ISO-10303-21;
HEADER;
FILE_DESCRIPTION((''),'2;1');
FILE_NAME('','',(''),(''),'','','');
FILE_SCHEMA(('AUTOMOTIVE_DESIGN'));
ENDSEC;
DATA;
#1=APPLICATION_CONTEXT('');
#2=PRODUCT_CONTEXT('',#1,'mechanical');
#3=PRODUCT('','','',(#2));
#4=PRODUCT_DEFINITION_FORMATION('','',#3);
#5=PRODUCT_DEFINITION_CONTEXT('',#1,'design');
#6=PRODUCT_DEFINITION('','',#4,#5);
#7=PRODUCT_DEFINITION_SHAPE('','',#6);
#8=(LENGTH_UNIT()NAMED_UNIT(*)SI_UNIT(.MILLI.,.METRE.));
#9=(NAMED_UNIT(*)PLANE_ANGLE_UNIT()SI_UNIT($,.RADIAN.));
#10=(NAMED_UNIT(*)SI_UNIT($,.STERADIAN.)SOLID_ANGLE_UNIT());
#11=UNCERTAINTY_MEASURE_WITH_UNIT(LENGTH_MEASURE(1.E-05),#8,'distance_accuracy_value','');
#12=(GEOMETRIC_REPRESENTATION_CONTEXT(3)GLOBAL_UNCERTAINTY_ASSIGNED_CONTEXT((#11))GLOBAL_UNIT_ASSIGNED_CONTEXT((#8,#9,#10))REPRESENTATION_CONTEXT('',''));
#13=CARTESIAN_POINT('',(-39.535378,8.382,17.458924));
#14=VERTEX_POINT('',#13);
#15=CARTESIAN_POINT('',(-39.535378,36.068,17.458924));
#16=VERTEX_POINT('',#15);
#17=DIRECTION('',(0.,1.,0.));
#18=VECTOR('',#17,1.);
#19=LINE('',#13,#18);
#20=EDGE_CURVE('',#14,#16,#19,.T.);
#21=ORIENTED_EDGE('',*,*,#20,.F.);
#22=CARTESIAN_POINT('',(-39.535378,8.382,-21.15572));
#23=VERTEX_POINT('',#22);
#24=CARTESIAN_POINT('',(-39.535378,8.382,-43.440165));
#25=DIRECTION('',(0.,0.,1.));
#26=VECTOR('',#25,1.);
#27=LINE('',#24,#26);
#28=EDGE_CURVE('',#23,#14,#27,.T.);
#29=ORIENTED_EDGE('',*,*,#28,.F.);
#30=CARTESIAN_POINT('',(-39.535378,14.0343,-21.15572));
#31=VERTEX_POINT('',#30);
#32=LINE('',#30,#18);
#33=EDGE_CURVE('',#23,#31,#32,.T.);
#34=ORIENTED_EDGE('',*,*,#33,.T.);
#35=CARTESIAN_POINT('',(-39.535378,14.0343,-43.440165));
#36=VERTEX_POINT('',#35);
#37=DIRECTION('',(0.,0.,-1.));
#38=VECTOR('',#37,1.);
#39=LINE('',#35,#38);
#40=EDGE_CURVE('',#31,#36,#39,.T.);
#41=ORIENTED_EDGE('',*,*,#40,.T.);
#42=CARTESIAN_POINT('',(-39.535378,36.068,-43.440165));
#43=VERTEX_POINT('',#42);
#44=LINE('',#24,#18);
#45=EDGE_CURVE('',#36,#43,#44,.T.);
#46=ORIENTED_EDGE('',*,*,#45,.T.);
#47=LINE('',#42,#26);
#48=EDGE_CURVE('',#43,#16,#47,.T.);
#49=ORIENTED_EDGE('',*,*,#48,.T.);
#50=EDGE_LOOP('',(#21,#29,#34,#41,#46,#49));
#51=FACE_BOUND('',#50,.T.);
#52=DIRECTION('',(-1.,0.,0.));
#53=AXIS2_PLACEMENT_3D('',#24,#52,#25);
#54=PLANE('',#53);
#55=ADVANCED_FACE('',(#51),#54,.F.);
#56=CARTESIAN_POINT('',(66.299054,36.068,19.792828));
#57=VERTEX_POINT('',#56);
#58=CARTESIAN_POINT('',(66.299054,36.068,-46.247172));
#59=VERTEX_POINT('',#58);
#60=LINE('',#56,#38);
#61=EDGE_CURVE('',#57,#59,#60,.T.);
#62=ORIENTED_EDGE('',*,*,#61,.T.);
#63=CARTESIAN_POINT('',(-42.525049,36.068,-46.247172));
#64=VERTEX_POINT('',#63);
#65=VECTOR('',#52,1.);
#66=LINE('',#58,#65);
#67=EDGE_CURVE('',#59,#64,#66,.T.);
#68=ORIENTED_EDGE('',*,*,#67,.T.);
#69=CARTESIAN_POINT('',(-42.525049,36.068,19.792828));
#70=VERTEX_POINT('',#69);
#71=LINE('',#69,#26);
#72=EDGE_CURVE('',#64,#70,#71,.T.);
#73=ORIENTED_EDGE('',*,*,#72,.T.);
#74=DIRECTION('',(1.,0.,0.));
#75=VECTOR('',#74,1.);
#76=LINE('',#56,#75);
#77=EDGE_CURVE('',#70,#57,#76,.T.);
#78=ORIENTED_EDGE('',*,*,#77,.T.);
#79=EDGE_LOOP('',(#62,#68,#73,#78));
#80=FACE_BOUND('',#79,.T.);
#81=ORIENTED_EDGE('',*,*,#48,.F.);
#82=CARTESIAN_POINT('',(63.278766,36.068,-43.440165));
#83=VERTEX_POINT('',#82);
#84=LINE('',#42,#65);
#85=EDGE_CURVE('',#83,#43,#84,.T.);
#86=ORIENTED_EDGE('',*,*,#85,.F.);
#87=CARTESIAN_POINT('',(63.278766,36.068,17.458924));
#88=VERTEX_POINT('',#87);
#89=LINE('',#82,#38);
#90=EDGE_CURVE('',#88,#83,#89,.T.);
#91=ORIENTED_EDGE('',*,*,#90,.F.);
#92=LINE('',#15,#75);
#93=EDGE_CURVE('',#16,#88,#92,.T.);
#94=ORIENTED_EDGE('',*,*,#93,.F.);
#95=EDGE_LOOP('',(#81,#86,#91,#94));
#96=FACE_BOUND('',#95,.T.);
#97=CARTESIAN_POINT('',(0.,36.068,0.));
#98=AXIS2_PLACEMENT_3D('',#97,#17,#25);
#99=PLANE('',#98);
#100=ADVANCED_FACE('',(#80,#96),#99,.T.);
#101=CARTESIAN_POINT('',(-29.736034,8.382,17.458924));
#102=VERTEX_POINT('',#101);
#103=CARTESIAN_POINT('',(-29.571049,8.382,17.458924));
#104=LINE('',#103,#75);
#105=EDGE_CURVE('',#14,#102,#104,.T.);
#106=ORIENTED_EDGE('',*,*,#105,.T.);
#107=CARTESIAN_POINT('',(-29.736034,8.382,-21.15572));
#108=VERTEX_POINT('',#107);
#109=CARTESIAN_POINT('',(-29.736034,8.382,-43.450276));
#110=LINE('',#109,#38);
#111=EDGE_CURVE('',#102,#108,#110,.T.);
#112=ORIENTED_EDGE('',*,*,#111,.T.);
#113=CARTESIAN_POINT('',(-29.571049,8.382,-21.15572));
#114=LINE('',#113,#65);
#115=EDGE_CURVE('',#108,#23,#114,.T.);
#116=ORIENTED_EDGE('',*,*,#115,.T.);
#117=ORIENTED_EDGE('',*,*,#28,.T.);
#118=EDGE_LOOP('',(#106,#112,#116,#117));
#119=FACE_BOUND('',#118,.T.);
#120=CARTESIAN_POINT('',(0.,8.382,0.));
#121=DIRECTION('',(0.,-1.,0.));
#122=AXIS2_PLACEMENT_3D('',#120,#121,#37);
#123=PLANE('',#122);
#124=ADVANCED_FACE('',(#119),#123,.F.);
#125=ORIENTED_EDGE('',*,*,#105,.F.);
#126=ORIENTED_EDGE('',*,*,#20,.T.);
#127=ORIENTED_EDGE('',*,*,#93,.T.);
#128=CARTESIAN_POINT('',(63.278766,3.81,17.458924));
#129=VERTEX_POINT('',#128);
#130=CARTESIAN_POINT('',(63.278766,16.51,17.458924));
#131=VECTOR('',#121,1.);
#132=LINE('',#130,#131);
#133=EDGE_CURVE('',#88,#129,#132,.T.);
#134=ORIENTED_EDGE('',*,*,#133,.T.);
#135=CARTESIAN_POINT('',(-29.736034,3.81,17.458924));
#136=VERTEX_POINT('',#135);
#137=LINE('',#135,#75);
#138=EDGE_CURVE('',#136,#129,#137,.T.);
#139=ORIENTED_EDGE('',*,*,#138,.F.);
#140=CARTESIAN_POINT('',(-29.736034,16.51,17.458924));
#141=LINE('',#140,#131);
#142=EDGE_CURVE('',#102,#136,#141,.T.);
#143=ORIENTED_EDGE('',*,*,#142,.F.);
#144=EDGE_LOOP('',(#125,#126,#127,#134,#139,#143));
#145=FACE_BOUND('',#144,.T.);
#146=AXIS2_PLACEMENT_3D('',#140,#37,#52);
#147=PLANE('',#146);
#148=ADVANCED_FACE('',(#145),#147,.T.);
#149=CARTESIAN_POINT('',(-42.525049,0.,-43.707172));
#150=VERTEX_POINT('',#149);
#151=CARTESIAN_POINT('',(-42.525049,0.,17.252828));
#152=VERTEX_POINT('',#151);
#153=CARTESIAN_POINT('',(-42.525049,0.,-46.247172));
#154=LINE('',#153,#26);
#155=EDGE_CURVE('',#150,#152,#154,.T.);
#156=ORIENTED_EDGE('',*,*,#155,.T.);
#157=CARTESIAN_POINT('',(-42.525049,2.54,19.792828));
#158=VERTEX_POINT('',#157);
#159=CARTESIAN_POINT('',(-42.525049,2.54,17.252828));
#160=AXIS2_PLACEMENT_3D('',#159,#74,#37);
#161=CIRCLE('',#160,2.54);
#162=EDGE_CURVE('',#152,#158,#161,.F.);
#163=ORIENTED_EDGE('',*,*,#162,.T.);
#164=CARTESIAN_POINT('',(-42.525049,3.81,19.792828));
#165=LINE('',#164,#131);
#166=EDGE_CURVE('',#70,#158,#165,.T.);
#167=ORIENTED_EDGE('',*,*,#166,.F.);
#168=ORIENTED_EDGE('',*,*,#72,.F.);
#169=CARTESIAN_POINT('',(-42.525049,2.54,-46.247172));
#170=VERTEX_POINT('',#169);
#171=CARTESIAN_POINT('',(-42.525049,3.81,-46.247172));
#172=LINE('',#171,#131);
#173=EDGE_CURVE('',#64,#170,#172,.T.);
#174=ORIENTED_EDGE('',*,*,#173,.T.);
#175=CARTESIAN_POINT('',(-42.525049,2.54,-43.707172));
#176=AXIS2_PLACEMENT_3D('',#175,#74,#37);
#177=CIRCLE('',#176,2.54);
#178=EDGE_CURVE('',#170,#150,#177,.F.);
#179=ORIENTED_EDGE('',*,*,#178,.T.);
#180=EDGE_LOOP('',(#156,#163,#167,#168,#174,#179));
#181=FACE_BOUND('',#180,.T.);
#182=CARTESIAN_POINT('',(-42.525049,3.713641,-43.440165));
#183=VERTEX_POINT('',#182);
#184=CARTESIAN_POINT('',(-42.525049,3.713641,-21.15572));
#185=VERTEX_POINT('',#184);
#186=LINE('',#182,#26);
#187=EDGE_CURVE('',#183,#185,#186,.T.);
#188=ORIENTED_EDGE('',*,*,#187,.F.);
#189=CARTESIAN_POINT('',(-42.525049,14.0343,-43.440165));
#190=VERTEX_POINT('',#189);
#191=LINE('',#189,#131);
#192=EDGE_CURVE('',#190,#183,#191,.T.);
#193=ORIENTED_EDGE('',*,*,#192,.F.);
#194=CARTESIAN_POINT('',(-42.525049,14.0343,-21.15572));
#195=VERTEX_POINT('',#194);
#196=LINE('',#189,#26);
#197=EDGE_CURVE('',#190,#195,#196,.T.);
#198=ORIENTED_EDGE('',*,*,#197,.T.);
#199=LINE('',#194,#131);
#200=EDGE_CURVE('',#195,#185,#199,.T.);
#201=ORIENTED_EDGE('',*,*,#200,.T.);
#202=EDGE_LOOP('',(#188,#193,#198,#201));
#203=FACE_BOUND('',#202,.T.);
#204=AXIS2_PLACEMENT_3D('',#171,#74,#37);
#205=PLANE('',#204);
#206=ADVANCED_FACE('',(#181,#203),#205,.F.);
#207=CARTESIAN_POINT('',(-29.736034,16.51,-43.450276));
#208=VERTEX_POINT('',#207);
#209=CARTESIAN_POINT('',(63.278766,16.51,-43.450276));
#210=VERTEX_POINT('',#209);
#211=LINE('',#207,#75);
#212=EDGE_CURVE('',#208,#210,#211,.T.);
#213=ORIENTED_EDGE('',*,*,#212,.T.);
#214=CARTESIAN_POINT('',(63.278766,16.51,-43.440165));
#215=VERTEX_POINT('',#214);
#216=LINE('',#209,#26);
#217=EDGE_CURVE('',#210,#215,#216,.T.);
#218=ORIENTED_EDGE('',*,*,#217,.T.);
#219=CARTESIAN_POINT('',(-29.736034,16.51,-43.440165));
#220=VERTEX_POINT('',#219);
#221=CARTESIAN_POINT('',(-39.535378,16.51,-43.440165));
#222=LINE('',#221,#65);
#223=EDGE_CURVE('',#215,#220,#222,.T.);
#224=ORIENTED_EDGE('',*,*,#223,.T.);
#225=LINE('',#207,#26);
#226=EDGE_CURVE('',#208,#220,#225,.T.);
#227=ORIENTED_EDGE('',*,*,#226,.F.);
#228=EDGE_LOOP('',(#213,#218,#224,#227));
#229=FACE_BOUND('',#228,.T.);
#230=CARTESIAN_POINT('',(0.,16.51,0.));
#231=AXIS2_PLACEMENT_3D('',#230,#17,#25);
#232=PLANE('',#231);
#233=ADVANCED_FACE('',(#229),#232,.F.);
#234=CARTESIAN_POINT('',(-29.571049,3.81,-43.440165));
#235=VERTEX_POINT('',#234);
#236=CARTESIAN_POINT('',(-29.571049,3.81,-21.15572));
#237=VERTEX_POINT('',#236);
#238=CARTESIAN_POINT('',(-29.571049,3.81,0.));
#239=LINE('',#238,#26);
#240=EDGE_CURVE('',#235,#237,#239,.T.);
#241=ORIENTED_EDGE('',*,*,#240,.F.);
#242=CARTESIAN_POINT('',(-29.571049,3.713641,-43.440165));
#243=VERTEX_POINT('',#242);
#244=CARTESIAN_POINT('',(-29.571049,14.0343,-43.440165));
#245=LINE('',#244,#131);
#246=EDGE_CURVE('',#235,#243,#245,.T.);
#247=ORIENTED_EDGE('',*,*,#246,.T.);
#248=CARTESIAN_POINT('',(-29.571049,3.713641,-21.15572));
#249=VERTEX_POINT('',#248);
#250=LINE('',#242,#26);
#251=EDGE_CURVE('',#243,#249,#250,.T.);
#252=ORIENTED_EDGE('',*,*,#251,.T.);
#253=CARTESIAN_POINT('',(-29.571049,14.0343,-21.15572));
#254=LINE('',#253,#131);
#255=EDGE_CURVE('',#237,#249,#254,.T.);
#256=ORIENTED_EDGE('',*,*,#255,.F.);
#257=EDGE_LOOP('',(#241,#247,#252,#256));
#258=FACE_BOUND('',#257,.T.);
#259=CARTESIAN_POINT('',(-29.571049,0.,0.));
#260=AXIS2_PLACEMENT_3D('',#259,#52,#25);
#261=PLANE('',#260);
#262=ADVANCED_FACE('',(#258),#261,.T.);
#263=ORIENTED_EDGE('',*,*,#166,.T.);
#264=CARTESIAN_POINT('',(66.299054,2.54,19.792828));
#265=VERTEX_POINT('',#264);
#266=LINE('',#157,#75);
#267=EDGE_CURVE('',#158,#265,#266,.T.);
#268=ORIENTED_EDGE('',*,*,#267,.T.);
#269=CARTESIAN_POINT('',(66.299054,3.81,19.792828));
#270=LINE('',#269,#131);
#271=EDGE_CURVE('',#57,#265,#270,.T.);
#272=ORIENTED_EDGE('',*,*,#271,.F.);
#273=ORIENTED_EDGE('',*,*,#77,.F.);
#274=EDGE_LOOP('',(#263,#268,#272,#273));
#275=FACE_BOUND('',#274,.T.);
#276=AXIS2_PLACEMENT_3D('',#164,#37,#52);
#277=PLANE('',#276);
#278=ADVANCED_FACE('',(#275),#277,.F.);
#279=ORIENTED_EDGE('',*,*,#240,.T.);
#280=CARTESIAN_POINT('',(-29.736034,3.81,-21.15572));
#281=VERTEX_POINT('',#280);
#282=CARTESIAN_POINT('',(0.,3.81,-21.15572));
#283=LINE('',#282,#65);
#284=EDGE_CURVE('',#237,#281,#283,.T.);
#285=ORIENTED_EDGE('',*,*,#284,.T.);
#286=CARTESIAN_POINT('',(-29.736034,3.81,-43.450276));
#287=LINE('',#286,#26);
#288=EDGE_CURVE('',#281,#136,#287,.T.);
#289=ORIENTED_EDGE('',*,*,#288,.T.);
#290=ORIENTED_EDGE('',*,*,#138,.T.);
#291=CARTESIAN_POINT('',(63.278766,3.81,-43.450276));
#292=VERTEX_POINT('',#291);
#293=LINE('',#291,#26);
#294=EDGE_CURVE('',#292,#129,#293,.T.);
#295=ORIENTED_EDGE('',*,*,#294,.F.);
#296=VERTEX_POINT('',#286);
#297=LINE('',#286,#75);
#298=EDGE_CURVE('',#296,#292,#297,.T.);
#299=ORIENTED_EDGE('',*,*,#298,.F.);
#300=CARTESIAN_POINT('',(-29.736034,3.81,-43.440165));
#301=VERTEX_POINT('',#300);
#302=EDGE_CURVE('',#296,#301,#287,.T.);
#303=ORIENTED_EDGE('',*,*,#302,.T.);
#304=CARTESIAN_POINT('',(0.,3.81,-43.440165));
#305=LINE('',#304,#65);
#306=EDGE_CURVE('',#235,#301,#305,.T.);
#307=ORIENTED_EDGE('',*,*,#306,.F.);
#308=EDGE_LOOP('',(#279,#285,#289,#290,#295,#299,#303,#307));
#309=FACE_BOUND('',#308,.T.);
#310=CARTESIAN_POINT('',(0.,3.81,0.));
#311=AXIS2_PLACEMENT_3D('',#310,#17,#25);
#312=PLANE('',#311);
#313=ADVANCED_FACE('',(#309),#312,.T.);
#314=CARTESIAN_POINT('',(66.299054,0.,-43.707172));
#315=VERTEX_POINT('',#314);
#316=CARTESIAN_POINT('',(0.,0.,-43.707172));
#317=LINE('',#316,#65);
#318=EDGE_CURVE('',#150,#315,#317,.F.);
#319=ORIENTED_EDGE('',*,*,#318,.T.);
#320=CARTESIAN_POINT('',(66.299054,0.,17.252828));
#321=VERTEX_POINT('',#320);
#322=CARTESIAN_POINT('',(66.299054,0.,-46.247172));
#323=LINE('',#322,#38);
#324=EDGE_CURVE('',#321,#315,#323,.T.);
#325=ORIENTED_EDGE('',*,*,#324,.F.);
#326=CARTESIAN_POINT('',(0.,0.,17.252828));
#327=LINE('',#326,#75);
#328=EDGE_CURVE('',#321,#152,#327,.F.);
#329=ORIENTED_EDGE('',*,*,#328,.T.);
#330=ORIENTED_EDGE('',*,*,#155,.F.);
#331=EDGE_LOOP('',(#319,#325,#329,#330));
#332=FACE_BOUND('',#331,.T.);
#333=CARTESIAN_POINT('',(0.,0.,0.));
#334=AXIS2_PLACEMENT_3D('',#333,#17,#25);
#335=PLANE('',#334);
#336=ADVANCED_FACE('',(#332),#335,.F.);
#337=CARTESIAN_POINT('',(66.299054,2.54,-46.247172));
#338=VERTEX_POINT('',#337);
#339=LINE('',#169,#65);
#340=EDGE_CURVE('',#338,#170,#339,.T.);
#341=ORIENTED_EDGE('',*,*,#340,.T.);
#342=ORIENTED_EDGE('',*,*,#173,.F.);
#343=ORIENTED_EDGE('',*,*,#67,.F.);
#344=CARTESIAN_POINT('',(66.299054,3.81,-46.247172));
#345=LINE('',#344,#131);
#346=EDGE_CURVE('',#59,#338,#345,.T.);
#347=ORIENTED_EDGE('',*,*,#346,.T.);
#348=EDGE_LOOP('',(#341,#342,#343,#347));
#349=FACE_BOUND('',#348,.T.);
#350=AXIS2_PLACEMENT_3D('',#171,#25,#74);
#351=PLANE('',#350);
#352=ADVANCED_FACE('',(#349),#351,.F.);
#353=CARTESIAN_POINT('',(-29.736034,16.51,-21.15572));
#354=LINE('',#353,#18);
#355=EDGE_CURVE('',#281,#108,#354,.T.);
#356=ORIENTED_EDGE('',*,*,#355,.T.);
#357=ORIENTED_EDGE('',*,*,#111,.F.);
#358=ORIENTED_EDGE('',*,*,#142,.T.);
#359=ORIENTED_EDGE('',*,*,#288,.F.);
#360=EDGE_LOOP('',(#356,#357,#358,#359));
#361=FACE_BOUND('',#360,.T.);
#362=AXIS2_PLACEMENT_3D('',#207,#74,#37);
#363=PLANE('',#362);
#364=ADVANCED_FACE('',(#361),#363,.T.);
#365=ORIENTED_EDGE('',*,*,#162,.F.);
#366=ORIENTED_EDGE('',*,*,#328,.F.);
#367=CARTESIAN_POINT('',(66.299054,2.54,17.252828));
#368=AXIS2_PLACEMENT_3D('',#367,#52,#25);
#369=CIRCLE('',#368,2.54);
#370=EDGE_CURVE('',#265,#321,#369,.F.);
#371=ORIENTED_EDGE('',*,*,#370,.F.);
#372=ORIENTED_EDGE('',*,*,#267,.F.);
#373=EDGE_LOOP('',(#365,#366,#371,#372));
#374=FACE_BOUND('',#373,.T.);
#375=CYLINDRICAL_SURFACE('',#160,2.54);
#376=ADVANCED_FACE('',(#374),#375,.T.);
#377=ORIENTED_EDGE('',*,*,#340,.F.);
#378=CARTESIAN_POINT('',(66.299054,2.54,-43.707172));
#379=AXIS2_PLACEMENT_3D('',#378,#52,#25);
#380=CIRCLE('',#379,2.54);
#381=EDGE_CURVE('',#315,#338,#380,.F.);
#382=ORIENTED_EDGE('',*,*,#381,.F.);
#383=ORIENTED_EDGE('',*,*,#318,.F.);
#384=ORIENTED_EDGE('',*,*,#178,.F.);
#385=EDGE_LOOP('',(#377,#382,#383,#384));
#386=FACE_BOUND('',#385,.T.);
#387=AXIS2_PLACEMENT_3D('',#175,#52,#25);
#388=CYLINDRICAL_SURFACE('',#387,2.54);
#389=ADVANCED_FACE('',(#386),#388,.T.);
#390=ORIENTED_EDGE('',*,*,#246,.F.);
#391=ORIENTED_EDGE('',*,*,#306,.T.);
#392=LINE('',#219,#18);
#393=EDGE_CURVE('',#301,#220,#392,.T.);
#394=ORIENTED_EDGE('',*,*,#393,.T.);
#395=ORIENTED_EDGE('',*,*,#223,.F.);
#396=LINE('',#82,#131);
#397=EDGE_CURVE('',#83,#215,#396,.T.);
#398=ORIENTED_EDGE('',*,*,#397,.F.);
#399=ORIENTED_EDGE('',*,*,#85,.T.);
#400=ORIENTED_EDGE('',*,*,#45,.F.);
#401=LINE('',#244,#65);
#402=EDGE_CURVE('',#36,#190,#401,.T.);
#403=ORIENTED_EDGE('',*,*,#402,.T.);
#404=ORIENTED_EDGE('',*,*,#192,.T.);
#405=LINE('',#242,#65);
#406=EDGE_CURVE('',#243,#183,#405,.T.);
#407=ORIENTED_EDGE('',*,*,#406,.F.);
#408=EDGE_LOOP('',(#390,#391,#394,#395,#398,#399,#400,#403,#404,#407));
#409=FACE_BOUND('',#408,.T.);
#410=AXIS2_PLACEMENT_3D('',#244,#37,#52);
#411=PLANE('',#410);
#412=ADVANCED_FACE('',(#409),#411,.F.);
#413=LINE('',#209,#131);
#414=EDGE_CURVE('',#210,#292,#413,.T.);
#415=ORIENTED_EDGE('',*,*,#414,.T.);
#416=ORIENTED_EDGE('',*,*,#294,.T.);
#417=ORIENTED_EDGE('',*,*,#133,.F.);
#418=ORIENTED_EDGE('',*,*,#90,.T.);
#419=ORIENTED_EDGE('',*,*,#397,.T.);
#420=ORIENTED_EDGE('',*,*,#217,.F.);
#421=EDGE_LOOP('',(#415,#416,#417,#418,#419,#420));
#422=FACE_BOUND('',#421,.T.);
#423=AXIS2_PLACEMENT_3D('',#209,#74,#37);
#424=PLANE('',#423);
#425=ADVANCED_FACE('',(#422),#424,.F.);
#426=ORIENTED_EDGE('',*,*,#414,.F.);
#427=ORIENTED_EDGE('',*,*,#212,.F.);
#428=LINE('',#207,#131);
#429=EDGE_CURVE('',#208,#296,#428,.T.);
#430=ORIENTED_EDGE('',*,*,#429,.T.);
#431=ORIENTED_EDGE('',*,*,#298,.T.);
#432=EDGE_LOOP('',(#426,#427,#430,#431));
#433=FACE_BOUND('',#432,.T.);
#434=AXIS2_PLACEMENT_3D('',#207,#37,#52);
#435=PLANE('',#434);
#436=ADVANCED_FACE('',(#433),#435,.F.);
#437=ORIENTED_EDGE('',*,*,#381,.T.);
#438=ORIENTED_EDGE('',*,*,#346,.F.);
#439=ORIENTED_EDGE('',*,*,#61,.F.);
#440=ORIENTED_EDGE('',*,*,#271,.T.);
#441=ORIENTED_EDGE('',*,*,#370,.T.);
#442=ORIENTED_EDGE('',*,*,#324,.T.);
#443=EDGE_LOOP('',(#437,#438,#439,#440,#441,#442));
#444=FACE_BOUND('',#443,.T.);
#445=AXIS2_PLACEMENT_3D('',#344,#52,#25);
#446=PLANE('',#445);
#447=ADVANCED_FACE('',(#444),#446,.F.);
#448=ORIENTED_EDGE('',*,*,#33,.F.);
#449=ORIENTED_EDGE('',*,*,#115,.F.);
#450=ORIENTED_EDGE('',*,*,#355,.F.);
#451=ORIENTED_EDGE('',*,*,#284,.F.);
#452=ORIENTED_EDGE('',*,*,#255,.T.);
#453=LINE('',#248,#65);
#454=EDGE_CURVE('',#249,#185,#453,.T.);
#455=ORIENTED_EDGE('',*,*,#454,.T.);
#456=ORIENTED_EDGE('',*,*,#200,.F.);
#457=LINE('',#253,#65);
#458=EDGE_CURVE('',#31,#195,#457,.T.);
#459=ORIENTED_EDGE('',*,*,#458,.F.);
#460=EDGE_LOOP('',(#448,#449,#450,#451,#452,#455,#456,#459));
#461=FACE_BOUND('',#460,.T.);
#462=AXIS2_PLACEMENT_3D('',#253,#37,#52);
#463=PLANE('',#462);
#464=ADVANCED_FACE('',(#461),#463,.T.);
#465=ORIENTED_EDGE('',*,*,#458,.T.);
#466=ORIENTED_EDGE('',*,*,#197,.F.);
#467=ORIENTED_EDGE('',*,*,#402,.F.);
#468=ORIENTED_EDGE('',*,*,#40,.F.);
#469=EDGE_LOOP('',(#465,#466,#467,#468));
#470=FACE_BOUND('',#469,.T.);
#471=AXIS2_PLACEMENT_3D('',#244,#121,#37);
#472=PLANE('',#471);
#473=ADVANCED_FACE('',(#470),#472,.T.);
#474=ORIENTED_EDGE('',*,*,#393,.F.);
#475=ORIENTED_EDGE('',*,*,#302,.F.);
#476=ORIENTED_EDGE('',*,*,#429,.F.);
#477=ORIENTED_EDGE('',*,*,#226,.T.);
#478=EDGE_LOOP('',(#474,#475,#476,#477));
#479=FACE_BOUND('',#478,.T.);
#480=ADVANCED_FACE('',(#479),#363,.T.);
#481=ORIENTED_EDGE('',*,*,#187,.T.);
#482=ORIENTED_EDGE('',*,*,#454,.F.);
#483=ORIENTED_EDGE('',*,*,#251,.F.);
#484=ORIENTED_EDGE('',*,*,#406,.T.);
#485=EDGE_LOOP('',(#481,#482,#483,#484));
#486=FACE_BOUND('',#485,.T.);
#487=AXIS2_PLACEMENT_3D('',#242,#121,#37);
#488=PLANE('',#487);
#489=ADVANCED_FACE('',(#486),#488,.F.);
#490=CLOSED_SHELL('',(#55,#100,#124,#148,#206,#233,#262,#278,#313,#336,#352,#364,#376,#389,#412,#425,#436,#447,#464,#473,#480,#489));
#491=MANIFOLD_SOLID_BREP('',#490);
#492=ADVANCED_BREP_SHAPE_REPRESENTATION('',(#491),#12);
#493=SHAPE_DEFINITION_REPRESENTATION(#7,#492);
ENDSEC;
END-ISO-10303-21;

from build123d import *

# Parameters (mm, degrees)
SKETCH1_W           = 108.824103019
SKETCH1_H           = 66.04
BOSS_EXTRUDE4_DEPTH = 3.81
SKETCH5_W           = 108.824103019
SKETCH5_H           = 66.04
SKETCH5_W_2         = 93.0148
SKETCH5_H_2         = 60.9092
BOSS_EXTRUDE5_DEPTH = 12.7
SKETCH6_W           = 22.284444933
SKETCH6_H           = 10.320659342
CUT_EXTRUDE2_DEPTH  = 12.954
FILLET2_R           = 2.54
FILLET3_R           = 2.54
SKETCH8_W           = 9.964328511
SKETCH8_H           = 60.899089628
CUT_EXTRUDE4_DEPTH  = 8.128
SKETCH11_W          = 108.824103019
SKETCH11_H          = 66.04
SKETCH11_W_2        = 102.814143763
SKETCH11_H_2        = 60.899089628
BOSS_EXTRUDE6_DEPTH = 19.558


with BuildPart() as part:
    # Sketch1 → Boss-Extrude4 (new body)
    with BuildSketch(Plane(origin=(0, 0, 0), x_dir=(1, 0, 0), z_dir=(0, 1, 0))):
        with Locations((11.887002401, 13.227171797)):
            Rectangle(SKETCH1_W, SKETCH1_H)
    extrude(amount=BOSS_EXTRUDE4_DEPTH)

    # Sketch5 → Boss-Extrude5 (add)
    with BuildSketch(Plane(origin=(0, 3.81, 0), x_dir=(1, 0, 0), z_dir=(0, 1, 0))):
        with Locations((11.887002401, 13.227171797)):
            Rectangle(SKETCH5_W, SKETCH5_H)
        with Locations((16.771366144, 12.995675742)):
            Rectangle(SKETCH5_W_2, SKETCH5_H_2, mode=Mode.SUBTRACT)
    extrude(amount=BOSS_EXTRUDE5_DEPTH)

    # Sketch6 → Cut-Extrude2 (cut)
    with BuildSketch(Plane.ZY.offset(42.525049108)):
        with Locations((-32.297942904, 8.873970447)):
            Rectangle(SKETCH6_W, SKETCH6_H)
    extrude(amount=-CUT_EXTRUDE2_DEPTH, mode=Mode.SUBTRACT)

    # Fillet2
    fillet2_edges = [part.edges().sort_by_distance(p)[0] for p in [
        (11.887002402, 0, 19.792828203),
    ]]
    fillet(fillet2_edges, radius=FILLET2_R)

    # Fillet3
    fillet3_edges = [part.edges().sort_by_distance(p)[0] for p in [
        (11.887002402, 0, -46.247171797),
    ]]
    fillet(fillet3_edges, radius=FILLET3_R)

    # Sketch8 → Cut-Extrude4 (cut)
    with BuildSketch(Plane(origin=(0, 16.51, 0), x_dir=(1, 0, 0), z_dir=(0, 1, 0))):
        with Locations((-34.553213363, 12.990620556)):
            Rectangle(SKETCH8_W, SKETCH8_H)
    extrude(amount=-CUT_EXTRUDE4_DEPTH, mode=Mode.SUBTRACT)

    # Sketch11 → Boss-Extrude6 (add)
    with BuildSketch(Plane(origin=(0, 16.51, 0), x_dir=(1, 0, 0), z_dir=(0, 1, 0))):
        with Locations((11.887002401, 13.227171797)):
            Rectangle(SKETCH11_W, SKETCH11_H)
        with Locations((11.871694263, 12.990620556)):
            Rectangle(SKETCH11_W_2, SKETCH11_H_2, mode=Mode.SUBTRACT)
    extrude(amount=BOSS_EXTRUDE6_DEPTH)


solid = part.part
